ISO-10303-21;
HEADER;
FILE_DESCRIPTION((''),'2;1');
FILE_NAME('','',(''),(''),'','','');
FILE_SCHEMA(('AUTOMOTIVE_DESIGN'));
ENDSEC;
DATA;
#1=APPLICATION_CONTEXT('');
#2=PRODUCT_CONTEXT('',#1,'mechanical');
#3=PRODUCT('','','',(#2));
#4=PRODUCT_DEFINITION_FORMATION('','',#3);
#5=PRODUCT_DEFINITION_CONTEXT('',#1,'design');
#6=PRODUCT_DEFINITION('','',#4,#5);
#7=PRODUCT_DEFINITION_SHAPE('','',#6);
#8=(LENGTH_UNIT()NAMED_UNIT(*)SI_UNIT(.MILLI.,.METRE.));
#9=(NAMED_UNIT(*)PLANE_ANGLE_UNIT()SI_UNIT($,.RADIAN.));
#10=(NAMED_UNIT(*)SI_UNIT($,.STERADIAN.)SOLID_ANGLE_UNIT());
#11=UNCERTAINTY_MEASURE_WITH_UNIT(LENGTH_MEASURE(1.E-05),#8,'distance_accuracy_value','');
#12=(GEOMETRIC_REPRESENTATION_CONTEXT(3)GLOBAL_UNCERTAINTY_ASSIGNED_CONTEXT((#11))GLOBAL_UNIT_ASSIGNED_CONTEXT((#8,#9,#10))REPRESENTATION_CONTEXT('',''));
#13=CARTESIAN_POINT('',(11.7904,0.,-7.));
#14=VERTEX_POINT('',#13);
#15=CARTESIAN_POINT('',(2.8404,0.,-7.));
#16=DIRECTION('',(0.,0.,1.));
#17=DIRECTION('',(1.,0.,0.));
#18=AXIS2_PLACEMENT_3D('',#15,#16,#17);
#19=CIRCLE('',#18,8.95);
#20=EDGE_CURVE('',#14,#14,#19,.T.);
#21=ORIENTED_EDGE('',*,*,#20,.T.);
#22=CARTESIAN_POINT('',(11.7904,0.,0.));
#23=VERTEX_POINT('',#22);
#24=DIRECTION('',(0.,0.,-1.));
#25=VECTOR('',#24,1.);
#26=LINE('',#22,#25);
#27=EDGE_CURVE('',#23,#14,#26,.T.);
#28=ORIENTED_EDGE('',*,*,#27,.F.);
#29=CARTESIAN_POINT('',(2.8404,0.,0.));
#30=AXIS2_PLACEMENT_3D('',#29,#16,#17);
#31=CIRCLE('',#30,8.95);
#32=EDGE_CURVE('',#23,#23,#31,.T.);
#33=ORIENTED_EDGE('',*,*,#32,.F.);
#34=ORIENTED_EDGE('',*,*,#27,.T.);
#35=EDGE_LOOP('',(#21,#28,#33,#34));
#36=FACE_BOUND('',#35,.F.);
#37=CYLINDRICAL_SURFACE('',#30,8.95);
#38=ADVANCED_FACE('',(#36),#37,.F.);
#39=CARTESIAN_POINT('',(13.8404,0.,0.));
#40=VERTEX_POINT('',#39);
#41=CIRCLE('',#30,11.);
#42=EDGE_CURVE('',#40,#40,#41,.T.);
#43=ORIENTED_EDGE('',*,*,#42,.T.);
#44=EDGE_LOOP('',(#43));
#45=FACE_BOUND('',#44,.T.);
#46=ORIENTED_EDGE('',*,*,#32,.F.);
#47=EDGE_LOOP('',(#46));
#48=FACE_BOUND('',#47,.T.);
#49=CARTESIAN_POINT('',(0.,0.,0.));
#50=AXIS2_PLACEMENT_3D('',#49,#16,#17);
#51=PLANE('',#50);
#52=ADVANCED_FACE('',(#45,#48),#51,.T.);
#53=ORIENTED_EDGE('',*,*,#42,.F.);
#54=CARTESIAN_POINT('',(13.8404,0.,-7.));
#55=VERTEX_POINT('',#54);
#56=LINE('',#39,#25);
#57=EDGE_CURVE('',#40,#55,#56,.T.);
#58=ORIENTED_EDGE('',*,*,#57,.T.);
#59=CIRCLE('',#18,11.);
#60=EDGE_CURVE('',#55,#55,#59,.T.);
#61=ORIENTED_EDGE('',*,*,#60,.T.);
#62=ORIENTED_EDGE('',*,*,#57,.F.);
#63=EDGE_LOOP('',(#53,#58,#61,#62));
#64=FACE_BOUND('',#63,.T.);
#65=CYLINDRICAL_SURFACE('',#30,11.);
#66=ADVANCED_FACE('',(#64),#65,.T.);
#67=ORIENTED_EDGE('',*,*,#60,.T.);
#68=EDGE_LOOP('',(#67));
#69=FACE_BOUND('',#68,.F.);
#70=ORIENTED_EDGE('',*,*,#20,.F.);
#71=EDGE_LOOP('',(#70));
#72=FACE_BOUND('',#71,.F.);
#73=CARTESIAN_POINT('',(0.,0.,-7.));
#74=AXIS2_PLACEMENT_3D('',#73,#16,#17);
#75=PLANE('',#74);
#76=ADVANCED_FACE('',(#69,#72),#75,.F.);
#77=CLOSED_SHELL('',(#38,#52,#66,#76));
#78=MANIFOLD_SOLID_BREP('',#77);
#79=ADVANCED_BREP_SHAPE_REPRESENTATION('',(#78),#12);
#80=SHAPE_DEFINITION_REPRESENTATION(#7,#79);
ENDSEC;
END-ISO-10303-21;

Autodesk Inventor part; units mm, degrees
ref_plane "YZ Plane" through (0, 0, 0) normal (1, 0, 0) x (0, 1, 0)
ref_plane "XZ Plane" through (0, 0, 0) normal (0, 1, 0) x (-1, 0, 0)
ref_plane "XY Plane" through (0, 0, 0) normal (0, 0, 1) x (1, 0, 0)
sketch "Sketch1" plane through (0, 0, 0) normal (0, 0, 1) x (1, 0, 0)
  circle A0 centre (2.8404, 0) radius 8.95
  circle A1 centre (2.8404, 0) radius 11
  point P0 (0, 0)
  dimension "d0" = 17.9
  dimension "d1" = 22
extrude "Extrusion1" add sketch "Sketch1" against normal blind 7
ref_plane "Work Plane1" through (2.8404, 6.05, 0) normal (1, 0, 0) x (0, 0, -1)
sketch "Sketch2" plane through (2.8404, 6.05, 0) normal (1, 0, 0) x (0, 0, -1)
  point P0 (0, -6.05)
properties part number "Bearing 608 Outer Race"
